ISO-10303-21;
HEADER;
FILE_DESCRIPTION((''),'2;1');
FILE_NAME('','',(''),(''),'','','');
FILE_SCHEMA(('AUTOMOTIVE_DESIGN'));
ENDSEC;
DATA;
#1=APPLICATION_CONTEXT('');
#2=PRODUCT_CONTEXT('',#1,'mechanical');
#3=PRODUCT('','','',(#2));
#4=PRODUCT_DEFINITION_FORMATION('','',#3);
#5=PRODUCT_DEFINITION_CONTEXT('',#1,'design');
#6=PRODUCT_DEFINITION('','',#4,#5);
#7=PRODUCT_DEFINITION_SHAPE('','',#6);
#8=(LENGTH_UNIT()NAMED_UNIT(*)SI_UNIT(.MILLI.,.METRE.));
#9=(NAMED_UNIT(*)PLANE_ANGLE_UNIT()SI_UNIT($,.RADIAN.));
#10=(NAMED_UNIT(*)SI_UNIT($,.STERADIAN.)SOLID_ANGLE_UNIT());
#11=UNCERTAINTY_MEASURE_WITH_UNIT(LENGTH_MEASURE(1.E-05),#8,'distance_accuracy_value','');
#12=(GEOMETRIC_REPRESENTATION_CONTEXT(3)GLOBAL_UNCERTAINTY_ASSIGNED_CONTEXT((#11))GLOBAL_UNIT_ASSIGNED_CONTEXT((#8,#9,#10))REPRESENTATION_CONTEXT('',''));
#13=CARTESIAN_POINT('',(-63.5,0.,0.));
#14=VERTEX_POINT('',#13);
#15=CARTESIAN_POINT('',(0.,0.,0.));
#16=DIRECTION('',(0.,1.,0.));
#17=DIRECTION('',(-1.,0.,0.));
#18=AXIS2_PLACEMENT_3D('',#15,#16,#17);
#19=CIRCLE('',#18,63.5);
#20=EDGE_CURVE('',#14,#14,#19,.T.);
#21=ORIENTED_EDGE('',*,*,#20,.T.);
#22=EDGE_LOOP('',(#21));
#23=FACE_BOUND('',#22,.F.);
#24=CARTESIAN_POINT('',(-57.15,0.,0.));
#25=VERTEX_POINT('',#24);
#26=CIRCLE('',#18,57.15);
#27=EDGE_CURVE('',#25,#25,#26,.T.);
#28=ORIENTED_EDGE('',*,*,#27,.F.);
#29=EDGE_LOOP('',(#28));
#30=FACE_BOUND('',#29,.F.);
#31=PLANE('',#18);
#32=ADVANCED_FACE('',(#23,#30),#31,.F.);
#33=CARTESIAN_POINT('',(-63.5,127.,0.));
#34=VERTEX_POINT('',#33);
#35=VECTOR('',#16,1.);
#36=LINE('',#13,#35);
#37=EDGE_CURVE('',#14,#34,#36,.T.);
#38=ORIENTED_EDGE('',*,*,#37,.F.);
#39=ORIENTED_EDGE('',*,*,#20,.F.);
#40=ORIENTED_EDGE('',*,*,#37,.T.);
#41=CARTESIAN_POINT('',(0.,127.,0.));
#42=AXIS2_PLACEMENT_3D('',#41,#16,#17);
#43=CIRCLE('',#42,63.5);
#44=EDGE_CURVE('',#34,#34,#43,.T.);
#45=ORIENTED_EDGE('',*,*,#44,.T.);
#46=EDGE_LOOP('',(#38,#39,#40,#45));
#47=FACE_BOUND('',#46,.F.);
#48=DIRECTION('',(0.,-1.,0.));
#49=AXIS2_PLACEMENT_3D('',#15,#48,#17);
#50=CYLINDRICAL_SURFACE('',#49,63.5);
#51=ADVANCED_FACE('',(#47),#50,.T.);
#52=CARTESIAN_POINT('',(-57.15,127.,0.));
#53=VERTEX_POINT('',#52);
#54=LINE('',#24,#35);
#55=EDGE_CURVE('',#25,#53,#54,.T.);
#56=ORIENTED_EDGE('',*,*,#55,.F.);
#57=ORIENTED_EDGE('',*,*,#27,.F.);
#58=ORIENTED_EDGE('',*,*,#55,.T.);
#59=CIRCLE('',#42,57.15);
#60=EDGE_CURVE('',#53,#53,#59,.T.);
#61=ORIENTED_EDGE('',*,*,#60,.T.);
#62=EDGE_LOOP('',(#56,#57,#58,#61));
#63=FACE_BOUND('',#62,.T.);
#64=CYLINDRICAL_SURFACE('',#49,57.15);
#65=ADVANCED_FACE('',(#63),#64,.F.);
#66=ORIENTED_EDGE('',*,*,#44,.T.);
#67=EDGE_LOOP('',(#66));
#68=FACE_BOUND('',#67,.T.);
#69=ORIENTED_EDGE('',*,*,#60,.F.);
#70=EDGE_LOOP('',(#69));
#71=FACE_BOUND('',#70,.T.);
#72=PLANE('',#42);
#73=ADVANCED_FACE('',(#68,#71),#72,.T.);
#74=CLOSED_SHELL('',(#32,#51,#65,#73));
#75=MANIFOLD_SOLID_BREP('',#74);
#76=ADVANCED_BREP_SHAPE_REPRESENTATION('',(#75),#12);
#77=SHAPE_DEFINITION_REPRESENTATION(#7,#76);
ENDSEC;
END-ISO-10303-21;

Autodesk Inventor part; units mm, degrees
ref_plane "YZ Plane" through (0, 0, 0) normal (1, 0, 0) x (0, 1, 0)
ref_plane "XZ Plane" through (0, 0, 0) normal (0, 1, 0) x (-1, 0, 0)
ref_plane "XY Plane" through (0, 0, 0) normal (0, 0, 1) x (1, 0, 0)
sketch "Sketch1" plane through (0, 0, 0) normal (0, 1, 0) x (-1, 0, 0)
  circle A0 centre (0, 0) radius 57.15
  circle A1 centre (0, 0) radius 63.5
  dimension "d0" = 114.3
  dimension "d1" = 6.35
extrude "Extrusion1" add sketch "Sketch1" along normal blind 127
properties part number "PVC"
